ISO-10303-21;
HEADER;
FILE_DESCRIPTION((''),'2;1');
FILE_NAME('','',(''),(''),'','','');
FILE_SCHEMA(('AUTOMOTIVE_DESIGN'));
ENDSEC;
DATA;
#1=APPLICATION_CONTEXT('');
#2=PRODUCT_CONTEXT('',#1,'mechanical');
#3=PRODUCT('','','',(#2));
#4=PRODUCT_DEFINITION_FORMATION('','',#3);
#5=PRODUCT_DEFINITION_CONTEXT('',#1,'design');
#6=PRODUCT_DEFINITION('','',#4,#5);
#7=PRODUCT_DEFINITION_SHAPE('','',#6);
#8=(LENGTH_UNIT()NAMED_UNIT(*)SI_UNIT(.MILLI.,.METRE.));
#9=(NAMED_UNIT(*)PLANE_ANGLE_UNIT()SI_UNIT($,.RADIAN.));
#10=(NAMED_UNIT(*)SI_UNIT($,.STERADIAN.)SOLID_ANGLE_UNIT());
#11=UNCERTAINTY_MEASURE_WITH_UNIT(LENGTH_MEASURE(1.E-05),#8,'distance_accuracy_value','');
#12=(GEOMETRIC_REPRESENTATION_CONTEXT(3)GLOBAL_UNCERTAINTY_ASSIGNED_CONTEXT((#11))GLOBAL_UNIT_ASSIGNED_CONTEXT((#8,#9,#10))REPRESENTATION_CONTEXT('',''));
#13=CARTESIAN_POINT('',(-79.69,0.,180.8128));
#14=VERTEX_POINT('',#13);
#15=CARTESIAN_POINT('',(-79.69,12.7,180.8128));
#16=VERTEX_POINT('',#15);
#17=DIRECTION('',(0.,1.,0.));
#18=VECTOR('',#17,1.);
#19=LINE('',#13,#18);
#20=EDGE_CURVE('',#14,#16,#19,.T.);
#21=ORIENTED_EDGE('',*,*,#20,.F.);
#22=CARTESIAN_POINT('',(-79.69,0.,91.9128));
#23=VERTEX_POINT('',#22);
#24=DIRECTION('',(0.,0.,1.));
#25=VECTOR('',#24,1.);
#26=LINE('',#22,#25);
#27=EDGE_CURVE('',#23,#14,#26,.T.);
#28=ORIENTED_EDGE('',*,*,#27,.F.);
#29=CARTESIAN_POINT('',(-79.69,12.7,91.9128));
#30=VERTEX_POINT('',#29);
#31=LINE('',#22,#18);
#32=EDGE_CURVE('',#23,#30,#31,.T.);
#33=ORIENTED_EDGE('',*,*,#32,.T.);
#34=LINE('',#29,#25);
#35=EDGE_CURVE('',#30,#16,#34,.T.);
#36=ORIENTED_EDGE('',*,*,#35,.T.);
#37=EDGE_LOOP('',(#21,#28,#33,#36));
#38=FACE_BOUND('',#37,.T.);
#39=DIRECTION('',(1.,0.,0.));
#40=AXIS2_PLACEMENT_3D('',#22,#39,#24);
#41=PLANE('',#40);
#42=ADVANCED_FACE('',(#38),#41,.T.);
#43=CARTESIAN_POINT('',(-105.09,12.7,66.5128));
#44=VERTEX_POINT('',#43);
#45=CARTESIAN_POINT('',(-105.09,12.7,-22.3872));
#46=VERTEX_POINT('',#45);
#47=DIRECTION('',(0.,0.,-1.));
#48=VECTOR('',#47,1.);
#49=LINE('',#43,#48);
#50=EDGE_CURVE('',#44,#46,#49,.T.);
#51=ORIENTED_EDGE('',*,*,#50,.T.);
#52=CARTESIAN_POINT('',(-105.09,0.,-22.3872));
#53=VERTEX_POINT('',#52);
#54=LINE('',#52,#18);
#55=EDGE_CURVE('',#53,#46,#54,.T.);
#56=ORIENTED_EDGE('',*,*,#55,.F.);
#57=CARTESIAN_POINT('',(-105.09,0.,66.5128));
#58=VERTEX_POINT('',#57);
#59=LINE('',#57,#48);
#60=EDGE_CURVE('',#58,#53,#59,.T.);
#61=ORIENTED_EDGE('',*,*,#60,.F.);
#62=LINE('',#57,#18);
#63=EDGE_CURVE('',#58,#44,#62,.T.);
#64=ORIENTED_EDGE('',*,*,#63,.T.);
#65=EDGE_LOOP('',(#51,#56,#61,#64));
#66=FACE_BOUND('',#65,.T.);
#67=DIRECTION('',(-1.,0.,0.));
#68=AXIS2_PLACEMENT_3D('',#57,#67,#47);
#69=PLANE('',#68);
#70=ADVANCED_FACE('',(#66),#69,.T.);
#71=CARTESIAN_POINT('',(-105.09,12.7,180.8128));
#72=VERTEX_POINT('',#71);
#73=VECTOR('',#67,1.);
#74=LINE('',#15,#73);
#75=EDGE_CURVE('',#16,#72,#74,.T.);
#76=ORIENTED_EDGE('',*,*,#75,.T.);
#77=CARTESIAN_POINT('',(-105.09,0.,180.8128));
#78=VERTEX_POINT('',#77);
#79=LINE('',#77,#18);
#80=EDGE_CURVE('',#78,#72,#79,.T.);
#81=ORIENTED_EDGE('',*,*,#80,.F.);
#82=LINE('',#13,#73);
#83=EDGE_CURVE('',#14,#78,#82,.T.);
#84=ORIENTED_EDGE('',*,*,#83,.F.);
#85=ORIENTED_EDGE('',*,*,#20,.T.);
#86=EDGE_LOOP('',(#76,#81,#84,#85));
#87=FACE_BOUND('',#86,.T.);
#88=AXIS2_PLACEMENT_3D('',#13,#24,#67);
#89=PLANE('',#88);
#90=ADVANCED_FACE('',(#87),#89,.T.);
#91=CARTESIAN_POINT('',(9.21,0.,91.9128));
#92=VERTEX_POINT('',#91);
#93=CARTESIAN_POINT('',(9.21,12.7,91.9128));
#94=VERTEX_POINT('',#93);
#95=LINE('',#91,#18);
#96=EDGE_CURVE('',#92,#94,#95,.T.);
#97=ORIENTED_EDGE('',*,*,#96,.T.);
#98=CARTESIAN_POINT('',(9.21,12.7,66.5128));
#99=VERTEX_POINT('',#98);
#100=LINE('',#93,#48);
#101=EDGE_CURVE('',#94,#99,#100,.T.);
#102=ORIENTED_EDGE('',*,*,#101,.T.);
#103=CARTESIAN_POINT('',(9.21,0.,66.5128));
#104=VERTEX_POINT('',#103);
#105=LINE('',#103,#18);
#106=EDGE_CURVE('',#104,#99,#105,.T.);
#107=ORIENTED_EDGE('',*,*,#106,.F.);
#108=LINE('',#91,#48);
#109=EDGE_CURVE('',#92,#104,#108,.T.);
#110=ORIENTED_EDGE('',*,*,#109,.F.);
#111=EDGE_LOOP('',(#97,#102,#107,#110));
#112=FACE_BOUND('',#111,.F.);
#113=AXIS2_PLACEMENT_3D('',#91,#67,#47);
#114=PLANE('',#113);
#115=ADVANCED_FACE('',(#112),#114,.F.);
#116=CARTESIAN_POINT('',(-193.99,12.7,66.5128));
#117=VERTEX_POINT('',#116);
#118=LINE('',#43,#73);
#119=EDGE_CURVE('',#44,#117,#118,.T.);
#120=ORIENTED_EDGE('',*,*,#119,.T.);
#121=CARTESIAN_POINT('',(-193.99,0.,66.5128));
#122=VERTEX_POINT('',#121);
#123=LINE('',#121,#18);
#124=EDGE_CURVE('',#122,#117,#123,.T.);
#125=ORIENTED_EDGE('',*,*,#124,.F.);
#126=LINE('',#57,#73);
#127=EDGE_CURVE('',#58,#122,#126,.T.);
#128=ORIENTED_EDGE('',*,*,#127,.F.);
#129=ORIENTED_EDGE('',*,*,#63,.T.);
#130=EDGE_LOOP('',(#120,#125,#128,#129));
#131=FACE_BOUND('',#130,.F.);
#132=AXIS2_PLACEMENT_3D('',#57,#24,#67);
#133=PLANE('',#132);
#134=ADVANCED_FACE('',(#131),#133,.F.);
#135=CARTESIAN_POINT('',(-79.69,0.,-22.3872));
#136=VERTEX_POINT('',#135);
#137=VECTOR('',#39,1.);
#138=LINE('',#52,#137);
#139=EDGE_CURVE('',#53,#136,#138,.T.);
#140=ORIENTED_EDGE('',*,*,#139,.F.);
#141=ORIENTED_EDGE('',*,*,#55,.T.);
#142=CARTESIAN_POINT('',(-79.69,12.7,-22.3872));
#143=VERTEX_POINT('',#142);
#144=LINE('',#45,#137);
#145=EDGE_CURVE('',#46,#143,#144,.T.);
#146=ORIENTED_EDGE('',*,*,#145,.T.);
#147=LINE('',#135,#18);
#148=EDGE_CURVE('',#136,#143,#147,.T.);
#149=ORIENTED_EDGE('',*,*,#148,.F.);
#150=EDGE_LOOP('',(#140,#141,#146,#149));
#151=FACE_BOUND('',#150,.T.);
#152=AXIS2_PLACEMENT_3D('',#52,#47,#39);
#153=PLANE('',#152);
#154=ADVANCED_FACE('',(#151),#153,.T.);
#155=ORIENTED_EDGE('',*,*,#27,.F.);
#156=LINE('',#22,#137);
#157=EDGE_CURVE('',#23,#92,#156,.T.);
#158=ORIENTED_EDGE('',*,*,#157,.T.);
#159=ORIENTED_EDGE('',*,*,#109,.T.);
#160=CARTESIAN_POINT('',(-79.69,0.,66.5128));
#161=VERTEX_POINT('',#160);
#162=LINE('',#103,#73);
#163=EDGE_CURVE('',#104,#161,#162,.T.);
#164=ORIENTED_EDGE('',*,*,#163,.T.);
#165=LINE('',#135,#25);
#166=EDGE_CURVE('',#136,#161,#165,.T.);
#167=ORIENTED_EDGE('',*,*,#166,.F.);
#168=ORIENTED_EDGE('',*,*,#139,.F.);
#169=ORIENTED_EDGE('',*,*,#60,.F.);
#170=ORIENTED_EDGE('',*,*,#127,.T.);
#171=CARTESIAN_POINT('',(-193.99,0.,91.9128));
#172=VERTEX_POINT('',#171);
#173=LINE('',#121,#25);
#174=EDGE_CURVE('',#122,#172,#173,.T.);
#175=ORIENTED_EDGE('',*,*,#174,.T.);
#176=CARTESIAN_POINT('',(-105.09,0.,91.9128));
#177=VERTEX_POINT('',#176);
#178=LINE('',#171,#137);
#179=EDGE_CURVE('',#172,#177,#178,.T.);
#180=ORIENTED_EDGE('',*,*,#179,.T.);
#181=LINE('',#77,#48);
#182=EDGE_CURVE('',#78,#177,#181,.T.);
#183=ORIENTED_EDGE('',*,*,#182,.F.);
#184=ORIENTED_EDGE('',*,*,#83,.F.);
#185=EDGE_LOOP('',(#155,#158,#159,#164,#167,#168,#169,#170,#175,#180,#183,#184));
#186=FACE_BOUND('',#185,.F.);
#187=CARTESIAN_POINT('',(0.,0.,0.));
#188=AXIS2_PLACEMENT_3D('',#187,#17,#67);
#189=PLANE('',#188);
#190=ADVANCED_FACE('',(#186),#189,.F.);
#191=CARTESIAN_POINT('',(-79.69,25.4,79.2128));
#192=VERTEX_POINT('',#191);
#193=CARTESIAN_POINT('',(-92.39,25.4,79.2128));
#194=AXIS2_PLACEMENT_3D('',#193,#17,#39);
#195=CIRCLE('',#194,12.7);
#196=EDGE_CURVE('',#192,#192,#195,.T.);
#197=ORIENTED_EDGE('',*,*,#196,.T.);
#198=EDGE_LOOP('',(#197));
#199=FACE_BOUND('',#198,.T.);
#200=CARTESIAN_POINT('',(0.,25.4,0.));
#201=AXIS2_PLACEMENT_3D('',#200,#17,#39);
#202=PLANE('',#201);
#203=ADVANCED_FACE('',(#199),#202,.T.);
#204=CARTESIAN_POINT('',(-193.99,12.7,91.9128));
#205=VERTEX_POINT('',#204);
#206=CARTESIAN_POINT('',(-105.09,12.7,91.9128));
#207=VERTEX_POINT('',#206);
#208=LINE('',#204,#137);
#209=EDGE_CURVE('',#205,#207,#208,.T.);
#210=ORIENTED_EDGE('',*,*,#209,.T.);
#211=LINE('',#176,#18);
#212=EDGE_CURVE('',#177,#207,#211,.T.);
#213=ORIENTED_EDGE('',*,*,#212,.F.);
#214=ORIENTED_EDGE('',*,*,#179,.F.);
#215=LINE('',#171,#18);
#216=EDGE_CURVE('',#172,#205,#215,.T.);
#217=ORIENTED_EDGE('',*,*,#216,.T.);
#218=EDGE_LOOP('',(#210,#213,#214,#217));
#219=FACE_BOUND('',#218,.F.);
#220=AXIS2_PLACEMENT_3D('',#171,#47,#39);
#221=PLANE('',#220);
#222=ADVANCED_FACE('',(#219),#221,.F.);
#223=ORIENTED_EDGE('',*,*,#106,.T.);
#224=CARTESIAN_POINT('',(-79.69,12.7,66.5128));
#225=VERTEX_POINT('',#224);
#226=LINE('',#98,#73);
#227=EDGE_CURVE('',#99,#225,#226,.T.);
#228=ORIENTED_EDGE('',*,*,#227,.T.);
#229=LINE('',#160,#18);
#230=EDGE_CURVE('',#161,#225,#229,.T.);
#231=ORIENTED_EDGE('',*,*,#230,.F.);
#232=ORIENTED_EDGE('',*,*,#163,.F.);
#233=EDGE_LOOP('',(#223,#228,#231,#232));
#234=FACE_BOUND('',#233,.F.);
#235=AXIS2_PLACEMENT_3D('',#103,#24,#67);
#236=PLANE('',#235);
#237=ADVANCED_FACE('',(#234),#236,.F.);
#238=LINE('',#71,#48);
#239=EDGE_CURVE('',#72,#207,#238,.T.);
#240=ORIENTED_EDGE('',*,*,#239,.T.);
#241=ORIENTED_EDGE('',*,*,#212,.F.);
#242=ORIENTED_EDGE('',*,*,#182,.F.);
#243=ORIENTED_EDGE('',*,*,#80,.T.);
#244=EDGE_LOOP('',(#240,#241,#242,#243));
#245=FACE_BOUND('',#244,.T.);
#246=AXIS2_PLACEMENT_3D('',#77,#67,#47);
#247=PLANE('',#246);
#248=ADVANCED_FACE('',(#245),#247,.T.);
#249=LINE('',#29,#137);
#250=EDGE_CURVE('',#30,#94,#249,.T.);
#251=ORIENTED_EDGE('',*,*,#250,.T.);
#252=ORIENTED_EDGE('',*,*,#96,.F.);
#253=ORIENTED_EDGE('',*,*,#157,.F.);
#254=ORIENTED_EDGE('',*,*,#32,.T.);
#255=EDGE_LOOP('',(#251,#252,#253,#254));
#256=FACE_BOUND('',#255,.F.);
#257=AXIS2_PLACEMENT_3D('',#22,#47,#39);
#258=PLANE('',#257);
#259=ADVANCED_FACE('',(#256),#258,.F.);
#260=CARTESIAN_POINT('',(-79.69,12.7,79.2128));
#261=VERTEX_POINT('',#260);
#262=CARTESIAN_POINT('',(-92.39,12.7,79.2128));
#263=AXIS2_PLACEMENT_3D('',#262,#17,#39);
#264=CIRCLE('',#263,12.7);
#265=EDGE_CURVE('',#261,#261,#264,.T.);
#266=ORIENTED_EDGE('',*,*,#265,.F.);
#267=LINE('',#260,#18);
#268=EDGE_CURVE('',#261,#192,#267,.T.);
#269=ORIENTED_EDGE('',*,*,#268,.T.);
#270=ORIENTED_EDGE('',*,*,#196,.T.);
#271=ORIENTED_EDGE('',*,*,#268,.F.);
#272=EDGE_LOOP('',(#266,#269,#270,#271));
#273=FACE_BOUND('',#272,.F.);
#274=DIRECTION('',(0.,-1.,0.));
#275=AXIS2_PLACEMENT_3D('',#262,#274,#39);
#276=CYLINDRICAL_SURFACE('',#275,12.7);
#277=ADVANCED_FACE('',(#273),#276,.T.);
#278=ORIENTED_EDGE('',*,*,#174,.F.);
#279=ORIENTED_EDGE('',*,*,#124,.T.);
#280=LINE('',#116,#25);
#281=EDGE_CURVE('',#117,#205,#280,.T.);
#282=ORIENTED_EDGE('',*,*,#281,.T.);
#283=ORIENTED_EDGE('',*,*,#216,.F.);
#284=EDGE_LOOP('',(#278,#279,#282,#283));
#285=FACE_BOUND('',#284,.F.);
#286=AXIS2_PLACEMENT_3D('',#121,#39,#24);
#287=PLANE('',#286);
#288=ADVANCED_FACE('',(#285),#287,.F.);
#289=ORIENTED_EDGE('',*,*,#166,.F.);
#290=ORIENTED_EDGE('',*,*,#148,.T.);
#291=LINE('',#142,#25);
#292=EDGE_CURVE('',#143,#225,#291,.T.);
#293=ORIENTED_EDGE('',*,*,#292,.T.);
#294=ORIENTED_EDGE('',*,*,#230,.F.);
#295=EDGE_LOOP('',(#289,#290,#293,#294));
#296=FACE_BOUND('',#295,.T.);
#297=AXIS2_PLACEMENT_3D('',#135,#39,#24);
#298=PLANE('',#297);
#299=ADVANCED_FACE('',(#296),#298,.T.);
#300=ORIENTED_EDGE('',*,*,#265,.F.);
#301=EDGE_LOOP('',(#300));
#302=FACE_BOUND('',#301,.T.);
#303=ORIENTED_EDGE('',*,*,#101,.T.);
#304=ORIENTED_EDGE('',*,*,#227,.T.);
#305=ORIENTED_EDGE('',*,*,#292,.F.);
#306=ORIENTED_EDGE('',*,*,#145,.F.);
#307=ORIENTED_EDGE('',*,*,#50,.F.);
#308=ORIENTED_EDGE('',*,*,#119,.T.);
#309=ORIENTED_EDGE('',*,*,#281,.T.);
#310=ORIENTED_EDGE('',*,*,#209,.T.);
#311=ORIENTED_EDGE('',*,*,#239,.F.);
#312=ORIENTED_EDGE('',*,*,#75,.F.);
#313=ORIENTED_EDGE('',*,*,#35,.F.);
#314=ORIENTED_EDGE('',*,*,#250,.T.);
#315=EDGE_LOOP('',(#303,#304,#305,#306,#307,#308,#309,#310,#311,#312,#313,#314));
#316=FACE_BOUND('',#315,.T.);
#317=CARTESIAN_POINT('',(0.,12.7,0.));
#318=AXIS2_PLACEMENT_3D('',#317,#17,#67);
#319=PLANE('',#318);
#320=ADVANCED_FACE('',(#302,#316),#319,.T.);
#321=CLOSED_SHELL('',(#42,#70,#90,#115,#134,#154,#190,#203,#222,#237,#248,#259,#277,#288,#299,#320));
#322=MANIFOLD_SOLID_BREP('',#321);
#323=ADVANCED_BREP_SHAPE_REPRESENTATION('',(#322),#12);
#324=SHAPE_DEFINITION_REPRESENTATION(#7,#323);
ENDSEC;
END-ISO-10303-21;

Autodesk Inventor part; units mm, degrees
ref_plane "YZ Plane" through (0, 0, 0) normal (1, 0, 0) x (0, 1, 0)
ref_plane "XZ Plane" through (0, 0, 0) normal (0, 1, 0) x (-1, 0, 0)
ref_plane "XY Plane" through (0, 0, 0) normal (0, 0, 1) x (1, 0, 0)
sketch "Sketch1" plane through (0, 0, 0) normal (0, 1, 0) x (-1, 0, 0)
  line L0 (193.99, 66.5128) -> (193.99, 91.9128)
  line L1 (-9.21, 91.9128) -> (-9.21, 66.5128)
  line L2 (79.69, 180.8128) -> (105.09, 180.8128)
  line L3 (105.09, -22.3872) -> (79.69, -22.3872)
  line L4 (92.39, 180.8128) -> (92.39, -22.3872) construction
  line L5 (92.39, 91.9128) -> (92.39, 66.5128) construction
  line L6 (79.69, 79.2128) -> (105.09, 79.2128) construction
  line L7 (-9.21, 79.2128) -> (193.99, 79.2128) construction
  line L8 (193.99, 91.9128) -> (105.09, 91.9128)
  line L9 (79.69, 91.9128) -> (-9.21, 91.9128)
  line L10 (79.69, -22.3872) -> (79.69, 66.5128)
  line L11 (79.69, 91.9128) -> (79.69, 180.8128)
  line L12 (-9.21, 66.5128) -> (79.69, 66.5128)
  line L13 (105.09, 66.5128) -> (193.99, 66.5128)
  line L14 (105.09, 180.8128) -> (105.09, 91.9128)
  line L15 (105.09, 66.5128) -> (105.09, -22.3872)
  point P0 (0, 0)
  point P1 (92.39, 79.2128)
  dimension "d0" = 203.2
  dimension "d1" = 25.4
  dimension "d2" = 25.4
  dimension "d3" = 203.2
extrude "Extrusion1" add sketch "Sketch1" along normal blind 12.7
sketch "Sketch2" plane through (0, 12.7, 0) normal (0, 1, 0) x (1, 0, 0)
  circle A0 centre (-92.39, -79.2128) radius 12.7
  point P0 (0, 0)
  dimension "d7" = 25.4
extrude "Extrusion2" add sketch "Sketch2" along normal blind 12.7
properties part number "vertex" material "Gold"
